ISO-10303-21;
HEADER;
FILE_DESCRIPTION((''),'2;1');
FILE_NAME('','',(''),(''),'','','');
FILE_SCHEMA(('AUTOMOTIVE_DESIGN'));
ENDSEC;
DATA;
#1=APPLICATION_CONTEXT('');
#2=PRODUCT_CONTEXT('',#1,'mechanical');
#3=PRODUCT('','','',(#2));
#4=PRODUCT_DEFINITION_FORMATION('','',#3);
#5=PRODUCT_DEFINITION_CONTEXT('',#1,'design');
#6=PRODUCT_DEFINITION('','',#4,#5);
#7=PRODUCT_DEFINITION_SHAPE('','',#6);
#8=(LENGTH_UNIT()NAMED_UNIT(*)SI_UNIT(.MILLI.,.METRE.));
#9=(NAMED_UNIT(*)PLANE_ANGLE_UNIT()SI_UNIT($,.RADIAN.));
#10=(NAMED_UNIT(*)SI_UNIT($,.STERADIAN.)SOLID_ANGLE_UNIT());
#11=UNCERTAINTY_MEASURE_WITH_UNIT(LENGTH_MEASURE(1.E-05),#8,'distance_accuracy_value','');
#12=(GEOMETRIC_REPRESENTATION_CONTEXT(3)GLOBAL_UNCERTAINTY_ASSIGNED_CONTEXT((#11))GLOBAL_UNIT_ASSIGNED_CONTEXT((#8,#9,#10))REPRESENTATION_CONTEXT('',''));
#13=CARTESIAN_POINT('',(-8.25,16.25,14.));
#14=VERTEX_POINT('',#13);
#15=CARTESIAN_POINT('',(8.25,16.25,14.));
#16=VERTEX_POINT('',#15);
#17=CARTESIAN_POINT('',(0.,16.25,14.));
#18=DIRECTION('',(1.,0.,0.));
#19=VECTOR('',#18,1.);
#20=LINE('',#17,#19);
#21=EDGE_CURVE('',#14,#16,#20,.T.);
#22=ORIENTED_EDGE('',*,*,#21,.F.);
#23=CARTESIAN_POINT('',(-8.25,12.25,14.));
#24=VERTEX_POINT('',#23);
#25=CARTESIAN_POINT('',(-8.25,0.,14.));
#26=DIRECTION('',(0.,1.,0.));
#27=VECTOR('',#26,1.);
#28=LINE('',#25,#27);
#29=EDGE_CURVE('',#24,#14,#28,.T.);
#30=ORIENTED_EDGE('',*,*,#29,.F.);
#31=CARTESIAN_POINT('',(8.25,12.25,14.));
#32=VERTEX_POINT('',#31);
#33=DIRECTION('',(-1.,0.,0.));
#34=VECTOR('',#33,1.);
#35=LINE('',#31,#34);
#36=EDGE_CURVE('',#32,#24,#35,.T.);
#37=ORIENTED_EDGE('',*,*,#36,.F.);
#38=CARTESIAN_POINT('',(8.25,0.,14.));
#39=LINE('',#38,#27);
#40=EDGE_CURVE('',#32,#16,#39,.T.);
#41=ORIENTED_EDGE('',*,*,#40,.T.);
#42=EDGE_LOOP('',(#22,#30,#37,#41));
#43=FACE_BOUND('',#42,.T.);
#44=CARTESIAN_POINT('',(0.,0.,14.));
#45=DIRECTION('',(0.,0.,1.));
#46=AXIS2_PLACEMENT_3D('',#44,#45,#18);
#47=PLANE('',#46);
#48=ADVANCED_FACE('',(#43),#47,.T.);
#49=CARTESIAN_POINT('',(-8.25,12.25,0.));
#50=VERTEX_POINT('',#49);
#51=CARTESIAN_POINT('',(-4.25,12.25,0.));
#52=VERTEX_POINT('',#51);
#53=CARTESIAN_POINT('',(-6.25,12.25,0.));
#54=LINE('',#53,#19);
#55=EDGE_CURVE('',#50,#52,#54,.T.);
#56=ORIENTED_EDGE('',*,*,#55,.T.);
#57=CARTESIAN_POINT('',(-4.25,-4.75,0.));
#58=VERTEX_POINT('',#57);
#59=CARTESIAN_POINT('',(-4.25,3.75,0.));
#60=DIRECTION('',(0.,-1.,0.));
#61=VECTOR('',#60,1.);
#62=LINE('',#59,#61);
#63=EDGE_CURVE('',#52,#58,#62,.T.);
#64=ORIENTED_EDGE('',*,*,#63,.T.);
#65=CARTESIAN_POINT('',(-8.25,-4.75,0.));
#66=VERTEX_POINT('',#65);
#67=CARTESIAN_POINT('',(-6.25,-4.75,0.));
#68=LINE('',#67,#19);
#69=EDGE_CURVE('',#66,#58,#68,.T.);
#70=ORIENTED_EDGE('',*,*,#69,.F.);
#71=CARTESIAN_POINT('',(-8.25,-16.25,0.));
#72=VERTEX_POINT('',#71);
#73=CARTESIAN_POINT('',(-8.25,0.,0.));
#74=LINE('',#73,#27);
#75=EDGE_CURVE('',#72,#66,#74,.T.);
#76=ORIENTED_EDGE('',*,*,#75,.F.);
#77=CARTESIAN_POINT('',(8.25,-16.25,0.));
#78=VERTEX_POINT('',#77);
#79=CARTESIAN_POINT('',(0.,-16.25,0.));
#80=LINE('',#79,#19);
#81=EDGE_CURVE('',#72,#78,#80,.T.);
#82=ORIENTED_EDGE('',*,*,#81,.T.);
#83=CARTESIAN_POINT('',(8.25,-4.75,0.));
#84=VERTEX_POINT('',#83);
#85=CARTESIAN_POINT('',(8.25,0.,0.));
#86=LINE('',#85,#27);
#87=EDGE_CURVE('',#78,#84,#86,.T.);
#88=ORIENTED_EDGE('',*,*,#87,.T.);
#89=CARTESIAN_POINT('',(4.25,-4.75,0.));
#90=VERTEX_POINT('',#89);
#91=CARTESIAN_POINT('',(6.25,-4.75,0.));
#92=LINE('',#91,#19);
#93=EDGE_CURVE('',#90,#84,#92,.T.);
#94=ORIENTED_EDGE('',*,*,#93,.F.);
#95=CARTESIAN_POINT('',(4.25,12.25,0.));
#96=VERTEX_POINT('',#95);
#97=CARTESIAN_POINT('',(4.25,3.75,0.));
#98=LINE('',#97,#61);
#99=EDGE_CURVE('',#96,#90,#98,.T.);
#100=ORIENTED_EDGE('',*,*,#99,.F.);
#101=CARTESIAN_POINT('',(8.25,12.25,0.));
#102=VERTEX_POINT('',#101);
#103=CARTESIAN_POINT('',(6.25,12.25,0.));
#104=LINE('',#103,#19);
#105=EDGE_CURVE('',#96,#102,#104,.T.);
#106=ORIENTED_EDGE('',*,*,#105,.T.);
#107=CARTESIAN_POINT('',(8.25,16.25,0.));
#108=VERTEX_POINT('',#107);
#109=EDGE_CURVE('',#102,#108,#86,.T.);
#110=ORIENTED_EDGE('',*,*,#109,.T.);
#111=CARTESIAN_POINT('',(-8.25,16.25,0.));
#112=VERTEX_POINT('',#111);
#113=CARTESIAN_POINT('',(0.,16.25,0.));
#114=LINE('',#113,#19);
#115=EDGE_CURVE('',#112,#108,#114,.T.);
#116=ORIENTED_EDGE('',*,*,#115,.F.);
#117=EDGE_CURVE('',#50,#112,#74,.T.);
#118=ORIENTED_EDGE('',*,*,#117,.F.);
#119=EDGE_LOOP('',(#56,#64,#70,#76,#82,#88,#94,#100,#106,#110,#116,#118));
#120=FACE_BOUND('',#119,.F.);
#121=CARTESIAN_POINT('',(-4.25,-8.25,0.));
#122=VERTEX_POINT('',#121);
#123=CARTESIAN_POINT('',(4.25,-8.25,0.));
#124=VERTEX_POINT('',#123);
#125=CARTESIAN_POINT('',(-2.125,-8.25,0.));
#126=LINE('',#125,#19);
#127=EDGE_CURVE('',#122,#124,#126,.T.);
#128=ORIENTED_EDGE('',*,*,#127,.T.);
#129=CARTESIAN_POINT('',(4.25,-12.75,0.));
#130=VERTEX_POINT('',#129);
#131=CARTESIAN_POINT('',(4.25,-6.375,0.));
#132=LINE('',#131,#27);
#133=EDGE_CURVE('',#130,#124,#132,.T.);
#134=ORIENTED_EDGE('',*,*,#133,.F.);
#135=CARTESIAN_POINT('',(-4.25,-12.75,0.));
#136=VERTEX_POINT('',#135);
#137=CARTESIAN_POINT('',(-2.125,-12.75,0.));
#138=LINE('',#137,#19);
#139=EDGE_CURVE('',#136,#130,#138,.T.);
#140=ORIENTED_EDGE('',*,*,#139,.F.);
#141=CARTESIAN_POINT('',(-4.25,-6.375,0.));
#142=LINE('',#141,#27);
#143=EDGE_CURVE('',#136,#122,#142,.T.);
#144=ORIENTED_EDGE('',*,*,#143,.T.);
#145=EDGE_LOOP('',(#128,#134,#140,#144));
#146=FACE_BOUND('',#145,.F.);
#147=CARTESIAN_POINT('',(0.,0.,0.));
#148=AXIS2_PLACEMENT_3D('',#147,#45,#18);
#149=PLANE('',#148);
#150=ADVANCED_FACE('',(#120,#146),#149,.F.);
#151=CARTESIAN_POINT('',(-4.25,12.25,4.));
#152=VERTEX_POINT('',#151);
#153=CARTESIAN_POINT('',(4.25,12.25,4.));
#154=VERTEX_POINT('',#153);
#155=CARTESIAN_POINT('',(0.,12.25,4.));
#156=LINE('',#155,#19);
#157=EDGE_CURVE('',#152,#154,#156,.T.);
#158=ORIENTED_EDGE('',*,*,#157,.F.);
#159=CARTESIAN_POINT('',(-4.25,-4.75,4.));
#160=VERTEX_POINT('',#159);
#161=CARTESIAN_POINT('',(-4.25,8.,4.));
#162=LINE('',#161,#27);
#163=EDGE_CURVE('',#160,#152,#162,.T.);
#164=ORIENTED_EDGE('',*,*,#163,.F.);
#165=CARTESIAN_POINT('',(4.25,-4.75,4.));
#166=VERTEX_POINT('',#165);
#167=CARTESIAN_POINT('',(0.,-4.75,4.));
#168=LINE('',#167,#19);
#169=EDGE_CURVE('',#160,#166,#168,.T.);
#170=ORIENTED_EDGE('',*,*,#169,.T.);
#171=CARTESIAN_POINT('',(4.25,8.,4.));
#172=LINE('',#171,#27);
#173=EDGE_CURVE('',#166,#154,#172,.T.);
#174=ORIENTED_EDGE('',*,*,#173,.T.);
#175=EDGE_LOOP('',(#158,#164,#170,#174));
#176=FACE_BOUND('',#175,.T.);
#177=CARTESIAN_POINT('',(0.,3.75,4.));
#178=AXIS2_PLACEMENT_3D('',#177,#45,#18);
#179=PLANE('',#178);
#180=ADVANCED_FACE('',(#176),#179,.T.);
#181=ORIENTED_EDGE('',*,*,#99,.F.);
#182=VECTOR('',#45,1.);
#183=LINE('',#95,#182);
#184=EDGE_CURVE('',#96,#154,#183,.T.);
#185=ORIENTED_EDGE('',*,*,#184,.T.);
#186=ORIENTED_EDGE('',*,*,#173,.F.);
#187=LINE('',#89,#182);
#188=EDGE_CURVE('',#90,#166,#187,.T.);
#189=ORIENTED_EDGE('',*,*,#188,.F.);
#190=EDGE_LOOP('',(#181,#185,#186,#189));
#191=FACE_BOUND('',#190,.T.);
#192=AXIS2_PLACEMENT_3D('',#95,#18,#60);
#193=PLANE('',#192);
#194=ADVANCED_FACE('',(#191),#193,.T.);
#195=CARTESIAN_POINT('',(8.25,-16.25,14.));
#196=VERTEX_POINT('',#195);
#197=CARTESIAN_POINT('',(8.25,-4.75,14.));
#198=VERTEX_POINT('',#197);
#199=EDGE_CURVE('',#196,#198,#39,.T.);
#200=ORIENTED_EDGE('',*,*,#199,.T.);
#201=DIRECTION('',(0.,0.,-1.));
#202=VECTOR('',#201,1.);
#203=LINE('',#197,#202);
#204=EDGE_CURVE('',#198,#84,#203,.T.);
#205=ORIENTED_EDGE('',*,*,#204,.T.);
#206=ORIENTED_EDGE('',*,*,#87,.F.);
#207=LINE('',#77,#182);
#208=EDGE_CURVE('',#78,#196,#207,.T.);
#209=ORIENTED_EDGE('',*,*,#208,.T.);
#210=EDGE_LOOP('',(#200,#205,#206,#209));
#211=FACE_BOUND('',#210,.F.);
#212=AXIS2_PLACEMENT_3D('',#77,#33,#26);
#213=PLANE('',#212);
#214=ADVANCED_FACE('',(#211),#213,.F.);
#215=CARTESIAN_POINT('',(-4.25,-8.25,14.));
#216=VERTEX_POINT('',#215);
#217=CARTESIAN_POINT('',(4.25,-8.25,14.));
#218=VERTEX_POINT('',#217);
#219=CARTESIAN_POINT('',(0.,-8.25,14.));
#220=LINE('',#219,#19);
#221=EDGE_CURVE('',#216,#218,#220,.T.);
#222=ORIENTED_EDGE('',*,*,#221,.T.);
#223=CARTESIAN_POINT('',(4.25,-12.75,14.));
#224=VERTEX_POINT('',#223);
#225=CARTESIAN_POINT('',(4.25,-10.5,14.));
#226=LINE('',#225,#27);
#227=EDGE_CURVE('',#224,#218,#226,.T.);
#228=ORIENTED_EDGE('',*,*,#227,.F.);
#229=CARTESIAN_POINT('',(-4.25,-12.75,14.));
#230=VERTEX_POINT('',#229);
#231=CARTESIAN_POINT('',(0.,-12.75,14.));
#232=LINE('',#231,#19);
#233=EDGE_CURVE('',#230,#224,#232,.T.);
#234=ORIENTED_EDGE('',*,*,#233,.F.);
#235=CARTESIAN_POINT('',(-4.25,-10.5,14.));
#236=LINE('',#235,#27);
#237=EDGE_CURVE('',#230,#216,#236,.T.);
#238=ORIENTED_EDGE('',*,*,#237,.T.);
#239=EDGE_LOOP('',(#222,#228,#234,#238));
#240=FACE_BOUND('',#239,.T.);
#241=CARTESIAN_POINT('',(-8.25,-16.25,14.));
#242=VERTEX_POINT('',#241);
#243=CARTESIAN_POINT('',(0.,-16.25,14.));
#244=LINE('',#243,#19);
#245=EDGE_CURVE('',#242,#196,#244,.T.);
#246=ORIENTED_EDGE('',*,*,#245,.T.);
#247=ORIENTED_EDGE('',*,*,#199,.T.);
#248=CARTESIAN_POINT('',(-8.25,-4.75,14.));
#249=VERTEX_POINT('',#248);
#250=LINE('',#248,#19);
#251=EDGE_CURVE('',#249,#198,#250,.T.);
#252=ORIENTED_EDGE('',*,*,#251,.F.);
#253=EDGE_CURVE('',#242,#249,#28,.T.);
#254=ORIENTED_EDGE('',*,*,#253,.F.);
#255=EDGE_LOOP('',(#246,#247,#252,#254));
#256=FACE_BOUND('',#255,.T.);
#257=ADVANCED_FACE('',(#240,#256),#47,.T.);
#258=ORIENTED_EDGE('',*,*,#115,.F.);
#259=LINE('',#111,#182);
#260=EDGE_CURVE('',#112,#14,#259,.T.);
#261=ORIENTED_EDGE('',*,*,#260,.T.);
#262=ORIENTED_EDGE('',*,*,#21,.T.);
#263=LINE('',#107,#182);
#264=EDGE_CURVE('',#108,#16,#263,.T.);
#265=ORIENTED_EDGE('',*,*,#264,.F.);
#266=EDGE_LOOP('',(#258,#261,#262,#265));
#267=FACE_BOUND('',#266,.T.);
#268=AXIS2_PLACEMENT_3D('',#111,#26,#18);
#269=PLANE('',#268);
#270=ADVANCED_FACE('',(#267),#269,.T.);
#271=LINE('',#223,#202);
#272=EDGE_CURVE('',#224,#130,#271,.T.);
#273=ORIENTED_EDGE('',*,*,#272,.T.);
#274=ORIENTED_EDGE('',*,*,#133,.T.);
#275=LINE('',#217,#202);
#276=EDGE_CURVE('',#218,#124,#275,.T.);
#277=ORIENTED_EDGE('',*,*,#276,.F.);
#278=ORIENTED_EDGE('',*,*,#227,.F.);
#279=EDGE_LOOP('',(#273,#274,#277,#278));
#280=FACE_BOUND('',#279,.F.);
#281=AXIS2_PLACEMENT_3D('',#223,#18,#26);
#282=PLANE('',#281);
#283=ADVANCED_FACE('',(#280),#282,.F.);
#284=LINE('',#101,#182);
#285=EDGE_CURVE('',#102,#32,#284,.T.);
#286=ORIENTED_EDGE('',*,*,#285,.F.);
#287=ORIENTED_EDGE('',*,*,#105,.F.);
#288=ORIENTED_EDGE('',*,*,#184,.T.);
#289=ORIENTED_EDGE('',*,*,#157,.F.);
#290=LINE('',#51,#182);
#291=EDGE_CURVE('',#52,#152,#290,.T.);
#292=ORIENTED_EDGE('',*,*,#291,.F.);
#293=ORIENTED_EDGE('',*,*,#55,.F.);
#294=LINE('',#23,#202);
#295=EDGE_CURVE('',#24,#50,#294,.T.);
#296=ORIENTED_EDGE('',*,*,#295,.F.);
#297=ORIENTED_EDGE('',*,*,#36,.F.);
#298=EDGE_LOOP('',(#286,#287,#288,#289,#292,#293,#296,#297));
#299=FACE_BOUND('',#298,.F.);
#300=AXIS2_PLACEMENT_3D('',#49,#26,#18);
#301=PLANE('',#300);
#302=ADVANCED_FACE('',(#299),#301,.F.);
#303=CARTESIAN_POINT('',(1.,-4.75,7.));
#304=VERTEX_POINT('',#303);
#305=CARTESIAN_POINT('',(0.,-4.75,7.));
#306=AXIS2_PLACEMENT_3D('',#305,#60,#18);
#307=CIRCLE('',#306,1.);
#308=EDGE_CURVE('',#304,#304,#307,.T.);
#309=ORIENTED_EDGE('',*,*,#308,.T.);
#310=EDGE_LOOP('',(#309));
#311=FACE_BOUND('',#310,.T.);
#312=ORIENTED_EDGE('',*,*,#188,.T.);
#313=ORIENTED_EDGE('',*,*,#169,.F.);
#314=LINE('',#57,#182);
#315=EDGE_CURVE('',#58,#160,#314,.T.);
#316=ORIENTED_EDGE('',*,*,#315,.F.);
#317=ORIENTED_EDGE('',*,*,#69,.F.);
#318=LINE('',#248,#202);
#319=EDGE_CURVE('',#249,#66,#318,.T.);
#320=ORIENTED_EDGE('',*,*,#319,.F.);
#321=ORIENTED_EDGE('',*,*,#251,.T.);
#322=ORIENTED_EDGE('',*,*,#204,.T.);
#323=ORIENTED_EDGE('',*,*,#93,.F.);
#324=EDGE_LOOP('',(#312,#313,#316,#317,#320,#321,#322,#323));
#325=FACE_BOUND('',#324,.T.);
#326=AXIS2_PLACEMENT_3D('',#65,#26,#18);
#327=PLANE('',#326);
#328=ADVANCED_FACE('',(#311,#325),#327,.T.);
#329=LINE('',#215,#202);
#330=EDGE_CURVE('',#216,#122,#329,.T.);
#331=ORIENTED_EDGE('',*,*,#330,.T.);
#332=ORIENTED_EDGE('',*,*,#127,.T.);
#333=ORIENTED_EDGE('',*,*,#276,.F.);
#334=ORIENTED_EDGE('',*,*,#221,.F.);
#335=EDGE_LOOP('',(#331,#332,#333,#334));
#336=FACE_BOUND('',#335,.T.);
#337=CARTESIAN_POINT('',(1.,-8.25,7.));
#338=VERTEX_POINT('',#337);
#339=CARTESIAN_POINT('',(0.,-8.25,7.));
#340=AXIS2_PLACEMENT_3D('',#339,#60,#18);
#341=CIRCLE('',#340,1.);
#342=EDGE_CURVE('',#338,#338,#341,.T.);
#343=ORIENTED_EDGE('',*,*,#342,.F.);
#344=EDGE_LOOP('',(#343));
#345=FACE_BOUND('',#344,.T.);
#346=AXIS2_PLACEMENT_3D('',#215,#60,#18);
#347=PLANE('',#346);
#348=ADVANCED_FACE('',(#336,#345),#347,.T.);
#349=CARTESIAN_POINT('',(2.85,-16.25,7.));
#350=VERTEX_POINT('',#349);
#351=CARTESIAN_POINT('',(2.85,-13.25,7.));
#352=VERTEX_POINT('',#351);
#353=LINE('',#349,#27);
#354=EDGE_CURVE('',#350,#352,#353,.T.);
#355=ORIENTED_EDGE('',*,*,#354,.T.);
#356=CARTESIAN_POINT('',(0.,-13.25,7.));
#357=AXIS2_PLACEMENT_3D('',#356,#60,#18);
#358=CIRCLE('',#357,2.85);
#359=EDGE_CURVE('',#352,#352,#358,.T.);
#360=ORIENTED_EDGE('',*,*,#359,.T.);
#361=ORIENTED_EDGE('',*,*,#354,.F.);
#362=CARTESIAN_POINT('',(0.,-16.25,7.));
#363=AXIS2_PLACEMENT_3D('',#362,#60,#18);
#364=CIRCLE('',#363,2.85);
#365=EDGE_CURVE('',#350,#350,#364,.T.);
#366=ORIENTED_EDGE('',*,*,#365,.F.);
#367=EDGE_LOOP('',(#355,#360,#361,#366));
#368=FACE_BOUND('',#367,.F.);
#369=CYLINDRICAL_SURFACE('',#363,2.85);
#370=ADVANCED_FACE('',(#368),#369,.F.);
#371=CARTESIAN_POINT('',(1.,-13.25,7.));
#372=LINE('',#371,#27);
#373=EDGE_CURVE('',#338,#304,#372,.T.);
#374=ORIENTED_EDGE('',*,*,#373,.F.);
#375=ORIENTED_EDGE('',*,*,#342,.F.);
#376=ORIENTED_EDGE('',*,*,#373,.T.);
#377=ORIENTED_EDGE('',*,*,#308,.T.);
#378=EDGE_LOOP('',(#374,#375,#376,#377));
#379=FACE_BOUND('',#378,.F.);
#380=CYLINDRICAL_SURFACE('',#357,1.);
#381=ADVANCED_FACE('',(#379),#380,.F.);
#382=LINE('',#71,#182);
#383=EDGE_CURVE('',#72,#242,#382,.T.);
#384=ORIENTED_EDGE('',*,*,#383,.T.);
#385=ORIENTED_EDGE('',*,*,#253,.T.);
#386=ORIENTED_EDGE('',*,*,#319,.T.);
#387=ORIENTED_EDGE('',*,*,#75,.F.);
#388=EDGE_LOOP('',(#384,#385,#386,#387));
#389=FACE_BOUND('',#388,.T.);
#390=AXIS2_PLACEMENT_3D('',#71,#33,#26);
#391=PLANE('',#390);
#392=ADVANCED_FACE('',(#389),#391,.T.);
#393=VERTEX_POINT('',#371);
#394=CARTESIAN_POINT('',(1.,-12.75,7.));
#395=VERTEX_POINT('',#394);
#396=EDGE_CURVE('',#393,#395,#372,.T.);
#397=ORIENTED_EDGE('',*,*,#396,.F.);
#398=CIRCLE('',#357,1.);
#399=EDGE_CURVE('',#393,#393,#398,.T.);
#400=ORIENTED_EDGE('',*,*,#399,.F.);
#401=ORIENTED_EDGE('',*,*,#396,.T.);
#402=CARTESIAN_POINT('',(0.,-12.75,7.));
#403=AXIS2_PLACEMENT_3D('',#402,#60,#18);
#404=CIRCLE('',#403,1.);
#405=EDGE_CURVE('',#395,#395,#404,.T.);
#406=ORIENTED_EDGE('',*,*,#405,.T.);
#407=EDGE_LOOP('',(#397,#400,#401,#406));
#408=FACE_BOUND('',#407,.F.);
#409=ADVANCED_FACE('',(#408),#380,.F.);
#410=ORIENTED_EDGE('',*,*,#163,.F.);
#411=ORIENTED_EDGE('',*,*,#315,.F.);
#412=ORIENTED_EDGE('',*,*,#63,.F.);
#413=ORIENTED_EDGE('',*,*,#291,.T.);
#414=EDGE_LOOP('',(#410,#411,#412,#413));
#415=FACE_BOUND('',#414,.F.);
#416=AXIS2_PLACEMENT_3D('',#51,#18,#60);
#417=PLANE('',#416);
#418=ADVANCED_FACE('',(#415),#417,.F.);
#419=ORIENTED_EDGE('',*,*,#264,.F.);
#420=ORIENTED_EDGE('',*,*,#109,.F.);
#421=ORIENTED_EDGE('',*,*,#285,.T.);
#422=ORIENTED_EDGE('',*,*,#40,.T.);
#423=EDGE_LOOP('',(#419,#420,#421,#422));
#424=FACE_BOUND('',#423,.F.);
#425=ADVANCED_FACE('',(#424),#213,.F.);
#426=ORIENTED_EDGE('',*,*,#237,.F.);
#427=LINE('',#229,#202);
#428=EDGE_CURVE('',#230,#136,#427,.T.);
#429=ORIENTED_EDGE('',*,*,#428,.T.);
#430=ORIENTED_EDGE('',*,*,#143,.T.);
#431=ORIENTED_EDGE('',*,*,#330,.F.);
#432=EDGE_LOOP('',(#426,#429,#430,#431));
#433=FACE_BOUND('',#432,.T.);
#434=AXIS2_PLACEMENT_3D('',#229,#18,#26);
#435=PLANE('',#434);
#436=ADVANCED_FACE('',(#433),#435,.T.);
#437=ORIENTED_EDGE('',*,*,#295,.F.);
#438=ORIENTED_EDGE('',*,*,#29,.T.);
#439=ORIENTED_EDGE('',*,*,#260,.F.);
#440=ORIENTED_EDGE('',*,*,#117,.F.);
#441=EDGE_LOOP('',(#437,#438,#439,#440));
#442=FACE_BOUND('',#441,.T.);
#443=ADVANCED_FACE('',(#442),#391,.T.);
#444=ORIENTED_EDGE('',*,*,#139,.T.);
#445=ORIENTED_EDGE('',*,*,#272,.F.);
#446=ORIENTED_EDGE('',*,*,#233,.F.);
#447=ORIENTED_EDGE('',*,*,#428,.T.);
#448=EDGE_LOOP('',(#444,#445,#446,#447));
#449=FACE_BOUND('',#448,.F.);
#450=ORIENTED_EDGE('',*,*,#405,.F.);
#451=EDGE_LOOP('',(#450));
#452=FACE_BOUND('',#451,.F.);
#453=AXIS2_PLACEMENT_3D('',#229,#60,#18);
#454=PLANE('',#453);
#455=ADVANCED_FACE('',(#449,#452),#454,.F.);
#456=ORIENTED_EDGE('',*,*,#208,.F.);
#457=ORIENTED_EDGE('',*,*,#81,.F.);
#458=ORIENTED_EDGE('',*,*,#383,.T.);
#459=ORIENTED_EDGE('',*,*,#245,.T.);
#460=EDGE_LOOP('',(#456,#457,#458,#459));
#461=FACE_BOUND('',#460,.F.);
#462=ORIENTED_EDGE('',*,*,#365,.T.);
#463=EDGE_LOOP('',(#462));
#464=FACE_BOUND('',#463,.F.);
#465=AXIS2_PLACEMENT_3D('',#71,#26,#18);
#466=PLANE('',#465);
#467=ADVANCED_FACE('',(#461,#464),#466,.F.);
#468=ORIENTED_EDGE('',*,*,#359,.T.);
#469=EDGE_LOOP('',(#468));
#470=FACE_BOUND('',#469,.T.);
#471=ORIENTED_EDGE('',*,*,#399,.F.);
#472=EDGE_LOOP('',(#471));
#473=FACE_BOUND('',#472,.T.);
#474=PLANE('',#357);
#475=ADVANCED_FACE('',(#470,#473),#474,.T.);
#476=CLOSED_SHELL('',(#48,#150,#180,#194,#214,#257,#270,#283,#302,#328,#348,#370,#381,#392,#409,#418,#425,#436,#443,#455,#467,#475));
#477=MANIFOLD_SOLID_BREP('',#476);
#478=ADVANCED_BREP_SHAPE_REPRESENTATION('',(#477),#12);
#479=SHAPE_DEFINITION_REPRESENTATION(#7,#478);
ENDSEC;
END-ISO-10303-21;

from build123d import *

# Parameters (mm, degrees)
F0_W      = 16.5
F0_H      = 32.5
F1_DEPTH  = 14
F3_W      = 16.5
F3_H      = 17
F4_DEPTH  = 10
F5_W      = 4
F5_H      = 17
F6_DEPTH  = 14.001
F7_W      = 8.5
F7_H      = 4.5
F8_DEPTH  = 14.001
F9_R      = 2.85
F10_DEPTH = 3
F11_R     = 1
F12_DEPTH = 10


with BuildPart() as f1:
    # F0 (on Top) → F1 (new body)
    with BuildSketch(Plane.XY):
        Rectangle(F0_W, F0_H)
    extrude(amount=F1_DEPTH)

    # F3 (on face) → F4 (cut)
    with BuildSketch(Plane.XY.offset(14)):
        with Locations((0, 3.75)):
            Rectangle(F3_W, F3_H)
    extrude(amount=-F4_DEPTH, mode=Mode.SUBTRACT)

    # F5 (on face) → F6 (cut, through all)
    with BuildSketch(Plane(origin=(0, 0, 0), x_dir=(1, 0, 0), z_dir=(0, 0, -1))):
        with Locations((-6.25, -3.75)):
            Rectangle(F5_W, F5_H)
        with Locations((6.25, -3.75)):
            Rectangle(F5_W, F5_H)
    extrude(amount=-F6_DEPTH, mode=Mode.SUBTRACT)

    # F7 (on face) → F8 (cut, through all)
    with BuildSketch(Plane.XY.offset(14)):
        with Locations((0, -10.5)):
            Rectangle(F7_W, F7_H)
    extrude(amount=-F8_DEPTH, mode=Mode.SUBTRACT)

    # F9 (on face) → F10 (cut)
    with BuildSketch(Plane.XZ.offset(16.25)):
        with Locations((0, 7)):
            Circle(F9_R)
    extrude(amount=-F10_DEPTH, mode=Mode.SUBTRACT)

    # F11 (on face) → F12 (cut)
    with BuildSketch(Plane.XZ.offset(13.25)):
        with Locations((0, 7)):
            Circle(F11_R)
    extrude(amount=-F12_DEPTH, mode=Mode.SUBTRACT)


solid = f1.part
